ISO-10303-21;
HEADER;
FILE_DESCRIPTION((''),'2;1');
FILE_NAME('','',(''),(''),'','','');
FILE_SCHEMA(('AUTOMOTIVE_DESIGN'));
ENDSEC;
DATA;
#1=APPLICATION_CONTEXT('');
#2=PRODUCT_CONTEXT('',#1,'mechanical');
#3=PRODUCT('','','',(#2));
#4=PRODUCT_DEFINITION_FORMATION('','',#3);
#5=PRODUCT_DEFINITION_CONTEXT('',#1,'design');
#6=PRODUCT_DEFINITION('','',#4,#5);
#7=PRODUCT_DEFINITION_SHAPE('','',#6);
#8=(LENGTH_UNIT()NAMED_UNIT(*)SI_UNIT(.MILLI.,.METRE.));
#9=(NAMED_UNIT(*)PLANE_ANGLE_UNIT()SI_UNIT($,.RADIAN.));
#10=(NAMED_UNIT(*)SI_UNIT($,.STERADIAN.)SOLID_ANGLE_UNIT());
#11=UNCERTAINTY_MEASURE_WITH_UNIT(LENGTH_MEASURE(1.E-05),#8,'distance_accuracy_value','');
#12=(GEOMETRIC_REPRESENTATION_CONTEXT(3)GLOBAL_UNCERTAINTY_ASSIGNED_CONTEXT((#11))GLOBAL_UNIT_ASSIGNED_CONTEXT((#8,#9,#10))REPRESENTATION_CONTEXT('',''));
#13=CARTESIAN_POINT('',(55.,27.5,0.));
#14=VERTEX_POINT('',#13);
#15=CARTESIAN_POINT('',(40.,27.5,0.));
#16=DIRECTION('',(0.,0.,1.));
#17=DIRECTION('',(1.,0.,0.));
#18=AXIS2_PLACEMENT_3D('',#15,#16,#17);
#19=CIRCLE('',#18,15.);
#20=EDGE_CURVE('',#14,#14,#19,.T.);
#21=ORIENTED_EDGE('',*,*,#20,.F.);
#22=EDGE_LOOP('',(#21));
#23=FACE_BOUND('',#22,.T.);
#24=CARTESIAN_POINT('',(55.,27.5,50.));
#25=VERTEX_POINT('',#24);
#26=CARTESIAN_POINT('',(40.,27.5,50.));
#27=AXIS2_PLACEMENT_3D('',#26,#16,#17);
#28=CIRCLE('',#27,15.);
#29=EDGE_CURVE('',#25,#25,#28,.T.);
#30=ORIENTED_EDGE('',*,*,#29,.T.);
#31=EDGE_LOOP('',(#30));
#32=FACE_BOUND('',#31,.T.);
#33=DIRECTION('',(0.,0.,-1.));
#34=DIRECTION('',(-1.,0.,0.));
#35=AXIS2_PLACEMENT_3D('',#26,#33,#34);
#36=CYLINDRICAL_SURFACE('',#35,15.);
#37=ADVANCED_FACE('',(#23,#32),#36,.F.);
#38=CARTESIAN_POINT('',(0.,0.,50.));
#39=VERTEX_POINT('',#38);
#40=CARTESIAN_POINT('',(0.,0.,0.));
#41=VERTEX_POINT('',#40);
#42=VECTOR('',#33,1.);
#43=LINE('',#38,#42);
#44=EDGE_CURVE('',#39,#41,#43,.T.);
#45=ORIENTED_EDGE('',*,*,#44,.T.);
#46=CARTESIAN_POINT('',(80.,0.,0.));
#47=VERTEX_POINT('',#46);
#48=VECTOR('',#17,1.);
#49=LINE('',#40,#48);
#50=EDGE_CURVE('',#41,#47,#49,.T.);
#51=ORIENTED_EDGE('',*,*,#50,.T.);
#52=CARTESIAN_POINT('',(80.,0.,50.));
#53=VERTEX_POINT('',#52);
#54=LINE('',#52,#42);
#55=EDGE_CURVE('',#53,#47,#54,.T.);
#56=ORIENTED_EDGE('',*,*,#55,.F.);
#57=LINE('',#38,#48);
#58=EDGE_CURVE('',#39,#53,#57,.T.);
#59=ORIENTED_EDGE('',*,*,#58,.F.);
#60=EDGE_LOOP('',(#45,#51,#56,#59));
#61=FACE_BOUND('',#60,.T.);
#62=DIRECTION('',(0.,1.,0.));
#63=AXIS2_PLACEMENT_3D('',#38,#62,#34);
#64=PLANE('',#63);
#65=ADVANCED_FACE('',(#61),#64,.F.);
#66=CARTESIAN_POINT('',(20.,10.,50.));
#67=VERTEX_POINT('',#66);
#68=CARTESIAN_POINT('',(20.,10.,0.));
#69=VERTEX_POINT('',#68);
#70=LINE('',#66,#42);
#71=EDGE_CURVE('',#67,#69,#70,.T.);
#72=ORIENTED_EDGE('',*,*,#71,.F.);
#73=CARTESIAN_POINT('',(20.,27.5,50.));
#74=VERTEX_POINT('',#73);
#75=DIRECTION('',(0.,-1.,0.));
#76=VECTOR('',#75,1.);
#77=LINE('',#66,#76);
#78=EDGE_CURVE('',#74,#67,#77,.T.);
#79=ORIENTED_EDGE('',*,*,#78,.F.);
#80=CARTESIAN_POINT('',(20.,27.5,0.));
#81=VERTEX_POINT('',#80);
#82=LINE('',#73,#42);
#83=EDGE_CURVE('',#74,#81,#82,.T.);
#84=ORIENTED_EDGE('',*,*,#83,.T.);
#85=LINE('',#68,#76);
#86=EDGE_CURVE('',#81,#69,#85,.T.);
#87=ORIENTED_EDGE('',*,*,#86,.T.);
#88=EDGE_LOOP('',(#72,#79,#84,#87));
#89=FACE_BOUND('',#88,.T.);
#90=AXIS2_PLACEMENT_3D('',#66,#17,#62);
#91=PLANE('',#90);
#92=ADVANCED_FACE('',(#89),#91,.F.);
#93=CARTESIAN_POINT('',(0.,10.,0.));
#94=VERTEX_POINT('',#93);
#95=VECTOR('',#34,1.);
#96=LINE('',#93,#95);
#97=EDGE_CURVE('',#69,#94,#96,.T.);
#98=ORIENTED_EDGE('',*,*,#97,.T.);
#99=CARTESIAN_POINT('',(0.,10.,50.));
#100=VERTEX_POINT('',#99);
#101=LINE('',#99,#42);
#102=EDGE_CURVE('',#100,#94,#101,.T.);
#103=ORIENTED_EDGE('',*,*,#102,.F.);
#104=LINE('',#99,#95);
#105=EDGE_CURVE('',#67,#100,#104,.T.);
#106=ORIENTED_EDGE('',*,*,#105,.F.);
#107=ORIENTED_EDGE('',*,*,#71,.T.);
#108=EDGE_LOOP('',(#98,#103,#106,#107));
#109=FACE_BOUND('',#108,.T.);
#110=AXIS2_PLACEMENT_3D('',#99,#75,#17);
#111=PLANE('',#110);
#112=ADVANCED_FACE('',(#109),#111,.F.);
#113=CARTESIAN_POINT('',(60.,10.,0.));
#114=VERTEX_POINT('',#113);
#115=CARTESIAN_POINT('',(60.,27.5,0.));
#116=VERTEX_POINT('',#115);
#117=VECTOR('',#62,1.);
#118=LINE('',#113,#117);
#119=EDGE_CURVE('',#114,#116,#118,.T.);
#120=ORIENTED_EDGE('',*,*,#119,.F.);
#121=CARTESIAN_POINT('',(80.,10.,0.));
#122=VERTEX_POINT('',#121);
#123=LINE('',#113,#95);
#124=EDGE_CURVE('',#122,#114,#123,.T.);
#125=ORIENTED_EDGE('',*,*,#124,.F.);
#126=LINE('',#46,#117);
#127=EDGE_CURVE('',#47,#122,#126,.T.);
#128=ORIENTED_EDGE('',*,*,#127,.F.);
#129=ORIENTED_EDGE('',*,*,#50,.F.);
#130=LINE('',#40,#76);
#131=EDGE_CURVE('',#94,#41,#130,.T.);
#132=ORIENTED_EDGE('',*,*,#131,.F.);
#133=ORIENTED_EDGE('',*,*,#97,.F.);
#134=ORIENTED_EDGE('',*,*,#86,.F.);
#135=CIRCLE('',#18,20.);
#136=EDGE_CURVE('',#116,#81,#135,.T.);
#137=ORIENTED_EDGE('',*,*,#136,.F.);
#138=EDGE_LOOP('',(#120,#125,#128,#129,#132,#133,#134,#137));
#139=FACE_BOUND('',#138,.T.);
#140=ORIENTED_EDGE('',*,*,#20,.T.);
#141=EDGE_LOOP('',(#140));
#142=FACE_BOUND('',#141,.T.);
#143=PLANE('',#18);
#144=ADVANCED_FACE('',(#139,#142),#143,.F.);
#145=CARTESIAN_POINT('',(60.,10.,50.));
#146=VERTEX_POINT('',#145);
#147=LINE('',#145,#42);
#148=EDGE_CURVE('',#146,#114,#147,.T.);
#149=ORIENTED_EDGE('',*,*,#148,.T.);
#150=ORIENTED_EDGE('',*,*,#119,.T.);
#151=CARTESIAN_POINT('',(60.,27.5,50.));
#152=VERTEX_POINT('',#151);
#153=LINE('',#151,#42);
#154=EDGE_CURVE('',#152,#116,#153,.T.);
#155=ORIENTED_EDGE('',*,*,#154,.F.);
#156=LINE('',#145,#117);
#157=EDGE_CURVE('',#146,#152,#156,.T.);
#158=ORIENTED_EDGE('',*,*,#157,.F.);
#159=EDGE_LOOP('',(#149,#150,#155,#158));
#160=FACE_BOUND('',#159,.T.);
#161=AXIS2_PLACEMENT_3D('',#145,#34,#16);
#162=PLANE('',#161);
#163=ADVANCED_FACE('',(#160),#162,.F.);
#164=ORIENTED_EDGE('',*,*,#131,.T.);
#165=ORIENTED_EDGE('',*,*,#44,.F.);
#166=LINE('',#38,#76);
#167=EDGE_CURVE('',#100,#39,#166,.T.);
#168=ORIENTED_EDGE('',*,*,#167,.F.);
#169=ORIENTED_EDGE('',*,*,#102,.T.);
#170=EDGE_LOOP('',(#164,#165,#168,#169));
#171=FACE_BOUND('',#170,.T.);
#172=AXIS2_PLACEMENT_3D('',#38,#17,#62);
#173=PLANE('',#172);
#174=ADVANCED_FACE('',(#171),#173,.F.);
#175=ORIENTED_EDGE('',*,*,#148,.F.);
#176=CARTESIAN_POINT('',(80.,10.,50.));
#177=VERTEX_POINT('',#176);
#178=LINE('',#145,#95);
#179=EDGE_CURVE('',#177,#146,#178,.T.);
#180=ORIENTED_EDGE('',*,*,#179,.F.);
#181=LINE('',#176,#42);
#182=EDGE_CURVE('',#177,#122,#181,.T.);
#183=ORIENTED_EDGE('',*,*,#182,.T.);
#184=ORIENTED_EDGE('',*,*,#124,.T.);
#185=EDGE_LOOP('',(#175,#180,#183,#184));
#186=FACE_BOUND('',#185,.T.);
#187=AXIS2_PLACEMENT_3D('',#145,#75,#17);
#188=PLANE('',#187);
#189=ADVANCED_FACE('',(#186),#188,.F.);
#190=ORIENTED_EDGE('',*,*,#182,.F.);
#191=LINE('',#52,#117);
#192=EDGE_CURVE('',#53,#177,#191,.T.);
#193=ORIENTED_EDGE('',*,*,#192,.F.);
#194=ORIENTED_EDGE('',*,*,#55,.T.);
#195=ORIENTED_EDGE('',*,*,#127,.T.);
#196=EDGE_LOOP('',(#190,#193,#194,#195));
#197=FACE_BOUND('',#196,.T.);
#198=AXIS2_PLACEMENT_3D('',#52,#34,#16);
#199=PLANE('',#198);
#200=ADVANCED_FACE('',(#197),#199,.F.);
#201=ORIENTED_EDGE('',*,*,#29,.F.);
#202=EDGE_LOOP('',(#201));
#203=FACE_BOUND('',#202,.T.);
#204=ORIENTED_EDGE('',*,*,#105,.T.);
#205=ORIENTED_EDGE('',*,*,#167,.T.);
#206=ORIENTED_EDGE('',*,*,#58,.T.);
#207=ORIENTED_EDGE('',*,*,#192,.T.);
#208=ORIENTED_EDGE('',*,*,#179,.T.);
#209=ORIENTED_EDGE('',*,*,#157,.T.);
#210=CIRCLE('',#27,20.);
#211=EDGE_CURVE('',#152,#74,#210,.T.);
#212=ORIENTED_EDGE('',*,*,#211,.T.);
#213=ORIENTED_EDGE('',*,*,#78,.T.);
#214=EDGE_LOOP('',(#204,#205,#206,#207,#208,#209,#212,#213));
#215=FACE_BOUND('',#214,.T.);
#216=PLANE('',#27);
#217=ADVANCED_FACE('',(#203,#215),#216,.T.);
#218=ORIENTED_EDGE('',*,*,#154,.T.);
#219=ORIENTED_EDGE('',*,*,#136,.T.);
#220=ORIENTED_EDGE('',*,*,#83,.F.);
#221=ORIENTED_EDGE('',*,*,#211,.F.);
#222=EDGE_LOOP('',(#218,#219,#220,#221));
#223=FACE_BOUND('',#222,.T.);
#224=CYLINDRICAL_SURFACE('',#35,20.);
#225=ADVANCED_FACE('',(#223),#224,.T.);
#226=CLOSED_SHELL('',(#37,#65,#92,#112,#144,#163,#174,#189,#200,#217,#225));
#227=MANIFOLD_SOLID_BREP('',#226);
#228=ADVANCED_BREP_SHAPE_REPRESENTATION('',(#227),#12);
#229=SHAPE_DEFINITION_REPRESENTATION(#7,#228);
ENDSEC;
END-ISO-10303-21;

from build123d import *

# Parameters (mm, degrees)
SKETCH1_R           = 15
BOSS_EXTRUDE1_DEPTH = 50


with BuildPart() as part:
    # Sketch1 → Boss-Extrude1 (new body)
    with BuildSketch(Plane.XY):
        with BuildLine():
            Line((0, 0), (80, 0))
            Line((80, 0), (80, 10))
            Line((80, 10), (60, 10))
            Line((60, 10), (60, 27.5))
            ThreePointArc((60, 27.5), (40, 47.5), (20, 27.5))
            Line((20, 27.5), (20, 10))
            Line((20, 10), (0, 10))
            Line((0, 10), (0, 0))
        make_face()
        with Locations((40, 27.5)):
            Circle(SKETCH1_R, mode=Mode.SUBTRACT)
    extrude(amount=BOSS_EXTRUDE1_DEPTH)


solid = part.part
